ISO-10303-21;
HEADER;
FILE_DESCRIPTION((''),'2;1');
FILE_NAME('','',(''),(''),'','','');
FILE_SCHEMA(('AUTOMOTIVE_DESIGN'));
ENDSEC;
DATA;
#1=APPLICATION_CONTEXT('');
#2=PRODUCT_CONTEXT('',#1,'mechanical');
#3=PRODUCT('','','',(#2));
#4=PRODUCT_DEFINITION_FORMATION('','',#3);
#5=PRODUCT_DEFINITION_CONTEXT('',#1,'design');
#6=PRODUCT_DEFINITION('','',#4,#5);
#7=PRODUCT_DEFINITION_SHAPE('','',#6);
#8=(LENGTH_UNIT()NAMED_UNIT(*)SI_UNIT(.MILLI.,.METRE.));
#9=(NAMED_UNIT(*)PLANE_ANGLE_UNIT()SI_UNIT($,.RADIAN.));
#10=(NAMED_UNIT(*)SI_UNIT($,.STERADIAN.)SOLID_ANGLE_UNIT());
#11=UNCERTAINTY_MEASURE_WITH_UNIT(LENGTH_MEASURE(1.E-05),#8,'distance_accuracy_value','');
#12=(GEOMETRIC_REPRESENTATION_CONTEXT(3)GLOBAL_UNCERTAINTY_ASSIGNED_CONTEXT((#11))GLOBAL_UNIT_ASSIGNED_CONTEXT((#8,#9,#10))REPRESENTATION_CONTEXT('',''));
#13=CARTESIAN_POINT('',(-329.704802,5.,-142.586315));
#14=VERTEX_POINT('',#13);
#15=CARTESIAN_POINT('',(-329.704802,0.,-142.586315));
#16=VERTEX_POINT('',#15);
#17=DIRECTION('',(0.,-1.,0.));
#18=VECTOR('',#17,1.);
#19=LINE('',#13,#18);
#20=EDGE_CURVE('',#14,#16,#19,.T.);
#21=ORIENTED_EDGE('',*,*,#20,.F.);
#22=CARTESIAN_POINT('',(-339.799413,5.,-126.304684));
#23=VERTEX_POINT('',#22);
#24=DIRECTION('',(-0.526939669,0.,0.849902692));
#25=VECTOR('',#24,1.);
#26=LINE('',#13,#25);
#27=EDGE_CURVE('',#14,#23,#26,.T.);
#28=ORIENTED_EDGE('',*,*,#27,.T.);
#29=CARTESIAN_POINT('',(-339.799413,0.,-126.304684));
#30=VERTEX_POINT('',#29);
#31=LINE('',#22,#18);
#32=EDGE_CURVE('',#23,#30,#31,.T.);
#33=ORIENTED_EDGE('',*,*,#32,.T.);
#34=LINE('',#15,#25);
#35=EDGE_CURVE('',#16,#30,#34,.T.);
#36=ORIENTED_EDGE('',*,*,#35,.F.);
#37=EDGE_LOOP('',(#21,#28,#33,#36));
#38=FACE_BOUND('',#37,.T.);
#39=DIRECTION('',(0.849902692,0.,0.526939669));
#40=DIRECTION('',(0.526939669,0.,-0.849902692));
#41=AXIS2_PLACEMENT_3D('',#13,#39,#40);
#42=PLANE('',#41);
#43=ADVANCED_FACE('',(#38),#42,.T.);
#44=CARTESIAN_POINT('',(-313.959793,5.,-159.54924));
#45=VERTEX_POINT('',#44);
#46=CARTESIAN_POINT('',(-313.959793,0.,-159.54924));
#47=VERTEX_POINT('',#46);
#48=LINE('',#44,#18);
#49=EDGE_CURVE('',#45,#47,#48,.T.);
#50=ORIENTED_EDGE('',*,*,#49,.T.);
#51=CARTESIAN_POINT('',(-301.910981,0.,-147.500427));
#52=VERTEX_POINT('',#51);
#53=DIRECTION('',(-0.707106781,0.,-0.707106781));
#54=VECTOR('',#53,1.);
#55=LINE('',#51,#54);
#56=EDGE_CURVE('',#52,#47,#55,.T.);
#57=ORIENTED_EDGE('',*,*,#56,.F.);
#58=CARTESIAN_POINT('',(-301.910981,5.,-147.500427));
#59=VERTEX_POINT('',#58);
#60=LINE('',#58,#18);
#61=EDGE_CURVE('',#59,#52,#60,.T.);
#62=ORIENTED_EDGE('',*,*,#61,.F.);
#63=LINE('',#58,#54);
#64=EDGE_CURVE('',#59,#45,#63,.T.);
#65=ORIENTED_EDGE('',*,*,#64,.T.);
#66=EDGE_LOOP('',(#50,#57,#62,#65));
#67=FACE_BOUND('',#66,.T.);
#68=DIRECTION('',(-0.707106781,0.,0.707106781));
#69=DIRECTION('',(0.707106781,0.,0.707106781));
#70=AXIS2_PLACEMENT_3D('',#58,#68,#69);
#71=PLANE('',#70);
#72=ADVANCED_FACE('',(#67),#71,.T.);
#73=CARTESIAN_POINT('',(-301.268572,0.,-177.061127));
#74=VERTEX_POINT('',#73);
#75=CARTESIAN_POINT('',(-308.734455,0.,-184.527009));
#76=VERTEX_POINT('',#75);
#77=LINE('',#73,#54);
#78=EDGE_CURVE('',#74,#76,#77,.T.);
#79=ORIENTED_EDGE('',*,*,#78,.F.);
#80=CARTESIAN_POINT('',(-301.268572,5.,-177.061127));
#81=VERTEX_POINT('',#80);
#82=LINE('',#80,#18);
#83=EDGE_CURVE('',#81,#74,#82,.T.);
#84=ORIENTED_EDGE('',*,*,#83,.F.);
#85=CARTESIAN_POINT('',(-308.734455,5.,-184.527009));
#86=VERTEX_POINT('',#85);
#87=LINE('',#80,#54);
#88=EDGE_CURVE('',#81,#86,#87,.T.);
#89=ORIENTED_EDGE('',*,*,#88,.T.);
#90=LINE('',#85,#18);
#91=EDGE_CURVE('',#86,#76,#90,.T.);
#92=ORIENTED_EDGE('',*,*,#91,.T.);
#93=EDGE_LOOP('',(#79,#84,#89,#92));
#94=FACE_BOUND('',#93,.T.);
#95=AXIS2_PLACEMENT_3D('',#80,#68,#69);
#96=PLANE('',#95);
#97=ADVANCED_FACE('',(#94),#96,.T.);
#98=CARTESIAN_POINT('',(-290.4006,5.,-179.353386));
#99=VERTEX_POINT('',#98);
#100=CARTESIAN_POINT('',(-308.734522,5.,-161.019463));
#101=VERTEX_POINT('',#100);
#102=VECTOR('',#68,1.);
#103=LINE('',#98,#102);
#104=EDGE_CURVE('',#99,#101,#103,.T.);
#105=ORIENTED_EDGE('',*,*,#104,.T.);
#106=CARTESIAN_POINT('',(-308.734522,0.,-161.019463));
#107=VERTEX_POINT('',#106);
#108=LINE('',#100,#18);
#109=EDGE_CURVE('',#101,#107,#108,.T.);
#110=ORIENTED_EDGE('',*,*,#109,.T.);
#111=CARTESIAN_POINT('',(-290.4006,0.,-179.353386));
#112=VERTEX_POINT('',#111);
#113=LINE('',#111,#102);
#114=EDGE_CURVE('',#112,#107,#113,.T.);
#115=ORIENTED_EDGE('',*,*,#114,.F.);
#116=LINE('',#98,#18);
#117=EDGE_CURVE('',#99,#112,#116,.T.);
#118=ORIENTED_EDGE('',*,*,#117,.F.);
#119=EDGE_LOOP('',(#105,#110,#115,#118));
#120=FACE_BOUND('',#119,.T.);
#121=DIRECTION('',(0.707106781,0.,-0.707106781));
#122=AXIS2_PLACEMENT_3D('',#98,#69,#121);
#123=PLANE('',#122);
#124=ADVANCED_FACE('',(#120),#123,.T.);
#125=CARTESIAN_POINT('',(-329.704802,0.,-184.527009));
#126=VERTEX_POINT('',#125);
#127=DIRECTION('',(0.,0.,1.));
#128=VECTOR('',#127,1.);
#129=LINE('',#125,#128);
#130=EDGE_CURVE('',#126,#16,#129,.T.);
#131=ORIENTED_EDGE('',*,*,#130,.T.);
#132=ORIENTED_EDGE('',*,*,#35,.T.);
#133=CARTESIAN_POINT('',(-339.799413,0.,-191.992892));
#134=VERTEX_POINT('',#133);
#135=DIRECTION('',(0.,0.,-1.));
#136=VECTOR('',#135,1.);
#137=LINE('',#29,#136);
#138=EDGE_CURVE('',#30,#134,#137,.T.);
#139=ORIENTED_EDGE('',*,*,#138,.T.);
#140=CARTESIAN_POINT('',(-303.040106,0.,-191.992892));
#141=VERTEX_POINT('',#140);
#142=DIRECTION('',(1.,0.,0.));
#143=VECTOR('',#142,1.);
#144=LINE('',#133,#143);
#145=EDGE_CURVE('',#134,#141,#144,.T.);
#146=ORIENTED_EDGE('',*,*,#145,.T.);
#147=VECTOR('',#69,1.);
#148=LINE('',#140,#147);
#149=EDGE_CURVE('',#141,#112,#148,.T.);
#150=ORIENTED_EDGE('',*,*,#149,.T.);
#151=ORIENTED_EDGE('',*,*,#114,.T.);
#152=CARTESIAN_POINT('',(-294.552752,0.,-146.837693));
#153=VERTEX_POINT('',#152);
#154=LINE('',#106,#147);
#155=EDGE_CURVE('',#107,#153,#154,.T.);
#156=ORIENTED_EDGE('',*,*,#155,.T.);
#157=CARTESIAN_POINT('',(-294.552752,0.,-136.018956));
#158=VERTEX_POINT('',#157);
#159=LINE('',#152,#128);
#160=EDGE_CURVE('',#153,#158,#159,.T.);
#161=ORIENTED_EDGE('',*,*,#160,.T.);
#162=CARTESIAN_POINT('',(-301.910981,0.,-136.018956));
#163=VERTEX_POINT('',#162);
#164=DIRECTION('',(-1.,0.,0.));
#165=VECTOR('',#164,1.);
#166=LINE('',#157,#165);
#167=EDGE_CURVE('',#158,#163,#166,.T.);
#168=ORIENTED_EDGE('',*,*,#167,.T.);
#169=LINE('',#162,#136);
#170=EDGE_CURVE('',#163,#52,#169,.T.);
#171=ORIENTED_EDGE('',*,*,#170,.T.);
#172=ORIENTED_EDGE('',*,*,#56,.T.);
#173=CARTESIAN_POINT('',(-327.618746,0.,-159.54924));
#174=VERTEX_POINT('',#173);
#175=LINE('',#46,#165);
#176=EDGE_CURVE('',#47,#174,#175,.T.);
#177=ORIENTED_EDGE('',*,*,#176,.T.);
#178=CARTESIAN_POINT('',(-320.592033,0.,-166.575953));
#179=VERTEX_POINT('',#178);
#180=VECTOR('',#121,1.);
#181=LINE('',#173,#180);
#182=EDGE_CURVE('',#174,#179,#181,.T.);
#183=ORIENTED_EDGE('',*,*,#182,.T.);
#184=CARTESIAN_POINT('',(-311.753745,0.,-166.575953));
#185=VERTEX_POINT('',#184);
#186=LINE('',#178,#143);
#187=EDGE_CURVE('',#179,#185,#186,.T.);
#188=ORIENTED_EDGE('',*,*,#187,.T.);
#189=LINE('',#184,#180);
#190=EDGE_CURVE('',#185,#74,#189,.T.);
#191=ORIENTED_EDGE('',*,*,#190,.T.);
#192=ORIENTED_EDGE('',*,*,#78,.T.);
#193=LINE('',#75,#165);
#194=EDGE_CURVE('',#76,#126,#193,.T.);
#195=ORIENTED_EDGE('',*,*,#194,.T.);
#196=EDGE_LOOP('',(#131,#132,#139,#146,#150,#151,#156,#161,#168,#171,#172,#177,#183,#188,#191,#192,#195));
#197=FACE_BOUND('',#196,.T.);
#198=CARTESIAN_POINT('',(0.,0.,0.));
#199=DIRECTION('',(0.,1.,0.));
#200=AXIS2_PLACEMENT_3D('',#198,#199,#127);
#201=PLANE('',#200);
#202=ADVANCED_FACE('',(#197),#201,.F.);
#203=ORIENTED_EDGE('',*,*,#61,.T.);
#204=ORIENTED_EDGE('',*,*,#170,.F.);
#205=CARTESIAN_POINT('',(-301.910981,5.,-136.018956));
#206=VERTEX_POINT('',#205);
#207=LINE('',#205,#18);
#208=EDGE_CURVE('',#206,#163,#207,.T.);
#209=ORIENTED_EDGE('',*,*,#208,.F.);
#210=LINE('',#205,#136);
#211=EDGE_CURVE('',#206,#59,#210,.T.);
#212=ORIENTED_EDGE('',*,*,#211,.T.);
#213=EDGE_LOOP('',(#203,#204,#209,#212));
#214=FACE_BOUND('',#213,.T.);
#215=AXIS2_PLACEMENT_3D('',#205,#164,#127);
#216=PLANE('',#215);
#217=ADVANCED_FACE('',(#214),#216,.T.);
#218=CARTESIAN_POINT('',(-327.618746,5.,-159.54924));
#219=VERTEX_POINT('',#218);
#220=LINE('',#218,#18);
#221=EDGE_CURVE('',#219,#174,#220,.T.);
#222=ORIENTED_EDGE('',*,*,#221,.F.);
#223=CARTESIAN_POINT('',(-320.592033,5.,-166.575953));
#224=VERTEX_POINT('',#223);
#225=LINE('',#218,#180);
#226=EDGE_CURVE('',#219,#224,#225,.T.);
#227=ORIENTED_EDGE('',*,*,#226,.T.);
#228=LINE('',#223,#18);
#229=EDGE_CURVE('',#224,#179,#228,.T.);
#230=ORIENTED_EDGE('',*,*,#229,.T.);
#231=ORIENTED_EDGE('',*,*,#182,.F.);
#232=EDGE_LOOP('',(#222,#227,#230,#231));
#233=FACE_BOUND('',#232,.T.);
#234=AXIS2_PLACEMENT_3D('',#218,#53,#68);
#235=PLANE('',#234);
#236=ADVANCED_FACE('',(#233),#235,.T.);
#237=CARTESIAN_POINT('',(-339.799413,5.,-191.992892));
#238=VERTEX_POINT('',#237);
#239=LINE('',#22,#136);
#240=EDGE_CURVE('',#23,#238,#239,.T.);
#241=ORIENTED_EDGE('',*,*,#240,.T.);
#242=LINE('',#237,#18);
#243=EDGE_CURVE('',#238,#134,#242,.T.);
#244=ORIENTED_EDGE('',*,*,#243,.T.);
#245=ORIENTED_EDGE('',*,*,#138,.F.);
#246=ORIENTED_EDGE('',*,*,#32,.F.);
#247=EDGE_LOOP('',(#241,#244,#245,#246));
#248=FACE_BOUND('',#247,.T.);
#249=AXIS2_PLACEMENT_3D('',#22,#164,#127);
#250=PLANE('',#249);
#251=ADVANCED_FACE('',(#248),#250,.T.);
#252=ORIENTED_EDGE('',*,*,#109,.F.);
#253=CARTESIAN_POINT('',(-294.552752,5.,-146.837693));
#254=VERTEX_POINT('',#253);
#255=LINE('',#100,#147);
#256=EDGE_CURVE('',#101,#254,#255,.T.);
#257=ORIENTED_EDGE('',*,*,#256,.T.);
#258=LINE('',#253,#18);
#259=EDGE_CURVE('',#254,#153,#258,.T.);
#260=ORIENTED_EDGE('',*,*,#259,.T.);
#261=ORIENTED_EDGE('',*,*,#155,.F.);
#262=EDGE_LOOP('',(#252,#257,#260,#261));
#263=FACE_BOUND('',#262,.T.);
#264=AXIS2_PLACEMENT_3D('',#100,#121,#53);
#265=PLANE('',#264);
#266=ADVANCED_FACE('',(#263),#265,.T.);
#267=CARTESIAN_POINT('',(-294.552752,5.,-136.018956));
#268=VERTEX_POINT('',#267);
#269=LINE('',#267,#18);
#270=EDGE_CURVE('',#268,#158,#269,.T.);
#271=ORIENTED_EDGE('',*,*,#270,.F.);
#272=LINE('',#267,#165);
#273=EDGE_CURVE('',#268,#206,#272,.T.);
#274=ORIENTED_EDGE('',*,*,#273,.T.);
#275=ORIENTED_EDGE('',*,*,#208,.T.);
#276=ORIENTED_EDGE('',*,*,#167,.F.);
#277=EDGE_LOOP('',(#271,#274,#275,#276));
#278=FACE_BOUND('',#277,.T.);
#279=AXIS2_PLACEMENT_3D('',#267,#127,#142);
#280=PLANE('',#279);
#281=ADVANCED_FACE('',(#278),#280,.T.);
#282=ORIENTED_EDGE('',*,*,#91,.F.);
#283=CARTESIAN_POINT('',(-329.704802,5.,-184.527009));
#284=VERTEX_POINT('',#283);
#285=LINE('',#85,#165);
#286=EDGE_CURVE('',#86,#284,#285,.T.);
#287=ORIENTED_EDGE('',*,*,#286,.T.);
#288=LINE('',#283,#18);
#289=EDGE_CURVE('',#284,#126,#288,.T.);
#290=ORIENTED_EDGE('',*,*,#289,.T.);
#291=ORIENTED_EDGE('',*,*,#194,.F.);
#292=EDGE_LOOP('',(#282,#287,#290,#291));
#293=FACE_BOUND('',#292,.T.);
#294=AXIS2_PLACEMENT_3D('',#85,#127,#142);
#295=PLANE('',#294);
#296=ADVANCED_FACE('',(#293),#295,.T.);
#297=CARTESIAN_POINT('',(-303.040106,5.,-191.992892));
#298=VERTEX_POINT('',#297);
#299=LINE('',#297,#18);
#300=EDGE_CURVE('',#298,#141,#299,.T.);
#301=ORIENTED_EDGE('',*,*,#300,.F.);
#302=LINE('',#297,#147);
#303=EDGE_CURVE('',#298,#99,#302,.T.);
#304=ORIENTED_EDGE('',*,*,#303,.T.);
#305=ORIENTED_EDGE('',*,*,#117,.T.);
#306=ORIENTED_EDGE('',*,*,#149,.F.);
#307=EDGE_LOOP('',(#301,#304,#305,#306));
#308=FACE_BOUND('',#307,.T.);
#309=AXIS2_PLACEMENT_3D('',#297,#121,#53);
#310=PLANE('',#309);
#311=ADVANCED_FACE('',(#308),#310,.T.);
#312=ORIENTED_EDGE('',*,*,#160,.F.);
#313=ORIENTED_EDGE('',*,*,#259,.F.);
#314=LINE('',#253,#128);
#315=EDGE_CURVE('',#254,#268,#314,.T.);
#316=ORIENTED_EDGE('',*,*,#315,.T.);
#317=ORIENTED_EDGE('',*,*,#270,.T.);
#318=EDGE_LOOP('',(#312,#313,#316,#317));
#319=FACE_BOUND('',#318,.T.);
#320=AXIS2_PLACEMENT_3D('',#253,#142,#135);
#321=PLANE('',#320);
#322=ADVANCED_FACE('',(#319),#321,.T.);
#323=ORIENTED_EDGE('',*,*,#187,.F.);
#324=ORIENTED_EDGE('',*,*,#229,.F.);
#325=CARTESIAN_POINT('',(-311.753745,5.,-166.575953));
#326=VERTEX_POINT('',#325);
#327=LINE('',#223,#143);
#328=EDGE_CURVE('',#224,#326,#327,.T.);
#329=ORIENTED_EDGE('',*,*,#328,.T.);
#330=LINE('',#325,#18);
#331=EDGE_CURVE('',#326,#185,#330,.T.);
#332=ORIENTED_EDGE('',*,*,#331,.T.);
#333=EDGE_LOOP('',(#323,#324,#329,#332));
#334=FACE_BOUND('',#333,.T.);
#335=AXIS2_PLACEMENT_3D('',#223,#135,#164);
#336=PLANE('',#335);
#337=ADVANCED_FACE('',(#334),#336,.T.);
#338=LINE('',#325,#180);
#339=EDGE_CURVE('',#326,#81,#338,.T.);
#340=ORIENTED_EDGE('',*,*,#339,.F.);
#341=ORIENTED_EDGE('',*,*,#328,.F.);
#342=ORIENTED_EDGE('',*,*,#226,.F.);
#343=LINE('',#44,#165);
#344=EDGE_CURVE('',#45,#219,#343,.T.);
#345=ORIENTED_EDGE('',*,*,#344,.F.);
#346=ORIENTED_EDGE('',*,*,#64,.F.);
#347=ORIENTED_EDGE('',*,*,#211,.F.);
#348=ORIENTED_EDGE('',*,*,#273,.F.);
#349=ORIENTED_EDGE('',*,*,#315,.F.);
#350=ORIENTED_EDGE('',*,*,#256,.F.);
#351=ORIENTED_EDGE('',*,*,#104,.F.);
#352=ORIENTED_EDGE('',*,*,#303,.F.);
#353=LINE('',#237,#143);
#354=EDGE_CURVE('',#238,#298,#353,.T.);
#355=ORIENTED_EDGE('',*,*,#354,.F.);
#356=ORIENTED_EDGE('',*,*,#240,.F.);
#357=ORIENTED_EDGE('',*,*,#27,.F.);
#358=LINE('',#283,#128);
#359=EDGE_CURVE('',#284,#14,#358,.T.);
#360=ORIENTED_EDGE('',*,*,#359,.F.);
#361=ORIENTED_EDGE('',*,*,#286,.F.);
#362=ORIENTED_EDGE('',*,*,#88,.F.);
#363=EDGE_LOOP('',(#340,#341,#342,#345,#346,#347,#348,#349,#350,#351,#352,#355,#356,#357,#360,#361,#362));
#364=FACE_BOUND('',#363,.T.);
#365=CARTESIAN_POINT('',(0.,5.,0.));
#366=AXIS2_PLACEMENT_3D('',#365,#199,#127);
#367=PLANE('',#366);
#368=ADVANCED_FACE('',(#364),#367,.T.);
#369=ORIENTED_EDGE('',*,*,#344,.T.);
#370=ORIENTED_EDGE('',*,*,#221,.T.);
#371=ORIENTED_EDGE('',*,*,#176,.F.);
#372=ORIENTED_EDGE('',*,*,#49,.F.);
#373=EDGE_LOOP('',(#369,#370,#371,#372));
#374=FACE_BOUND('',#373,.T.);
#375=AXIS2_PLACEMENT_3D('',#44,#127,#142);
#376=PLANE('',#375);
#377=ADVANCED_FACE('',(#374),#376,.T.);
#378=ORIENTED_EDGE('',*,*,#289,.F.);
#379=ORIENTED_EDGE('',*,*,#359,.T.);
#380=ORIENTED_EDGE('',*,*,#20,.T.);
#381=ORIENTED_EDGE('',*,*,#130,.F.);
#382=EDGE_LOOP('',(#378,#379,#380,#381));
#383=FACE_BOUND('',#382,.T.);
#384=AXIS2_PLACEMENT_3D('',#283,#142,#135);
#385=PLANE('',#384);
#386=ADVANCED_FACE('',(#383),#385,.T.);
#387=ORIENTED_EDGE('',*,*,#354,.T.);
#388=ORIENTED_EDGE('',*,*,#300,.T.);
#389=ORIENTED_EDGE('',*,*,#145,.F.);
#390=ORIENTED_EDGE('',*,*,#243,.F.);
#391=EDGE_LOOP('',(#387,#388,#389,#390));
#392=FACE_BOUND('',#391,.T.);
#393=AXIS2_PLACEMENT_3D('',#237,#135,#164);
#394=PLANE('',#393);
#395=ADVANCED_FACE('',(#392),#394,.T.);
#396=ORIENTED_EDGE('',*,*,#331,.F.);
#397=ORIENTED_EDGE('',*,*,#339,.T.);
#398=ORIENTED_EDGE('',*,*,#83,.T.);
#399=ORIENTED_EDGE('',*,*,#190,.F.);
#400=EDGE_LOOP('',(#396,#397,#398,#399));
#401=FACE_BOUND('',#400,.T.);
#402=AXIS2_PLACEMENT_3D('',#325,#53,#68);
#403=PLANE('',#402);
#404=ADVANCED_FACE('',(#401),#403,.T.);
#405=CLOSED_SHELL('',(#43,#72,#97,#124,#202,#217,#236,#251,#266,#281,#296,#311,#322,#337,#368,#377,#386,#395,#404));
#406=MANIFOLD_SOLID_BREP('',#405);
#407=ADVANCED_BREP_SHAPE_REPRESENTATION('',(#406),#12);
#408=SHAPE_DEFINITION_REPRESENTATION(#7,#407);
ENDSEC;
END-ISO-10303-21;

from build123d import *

# Parameters (mm, degrees)
BOSS_EXTRUDE1_DEPTH = 5


with BuildPart() as part:
    # Sketch1 → Boss-Extrude1 (new body)
    with BuildSketch(Plane(origin=(0, 0, 0), x_dir=(1, 0, 0), z_dir=(0, 1, 0))):
        Polygon((-339.799413006, 126.304683991), (-339.799413006, 191.992892094), (-303.040106148, 191.992892094), (-290.400599698, 179.353385644), (-308.734522065, 161.019463277), (-294.552751732, 146.837692944), (-294.552751732, 136.018956443), (-301.910980799, 136.018956443), (-301.910980799, 147.500427473), (-313.95979318, 159.549239854), (-327.618746258, 159.549239854), (-320.592033082, 166.575953029), (-311.753745416, 166.575953029), (-301.268571849, 177.061126596), (-308.734454598, 184.527009345), (-329.704801732, 184.527009345), (-329.704801732, 142.586315078), align=None)
    extrude(amount=BOSS_EXTRUDE1_DEPTH)


solid = part.part
